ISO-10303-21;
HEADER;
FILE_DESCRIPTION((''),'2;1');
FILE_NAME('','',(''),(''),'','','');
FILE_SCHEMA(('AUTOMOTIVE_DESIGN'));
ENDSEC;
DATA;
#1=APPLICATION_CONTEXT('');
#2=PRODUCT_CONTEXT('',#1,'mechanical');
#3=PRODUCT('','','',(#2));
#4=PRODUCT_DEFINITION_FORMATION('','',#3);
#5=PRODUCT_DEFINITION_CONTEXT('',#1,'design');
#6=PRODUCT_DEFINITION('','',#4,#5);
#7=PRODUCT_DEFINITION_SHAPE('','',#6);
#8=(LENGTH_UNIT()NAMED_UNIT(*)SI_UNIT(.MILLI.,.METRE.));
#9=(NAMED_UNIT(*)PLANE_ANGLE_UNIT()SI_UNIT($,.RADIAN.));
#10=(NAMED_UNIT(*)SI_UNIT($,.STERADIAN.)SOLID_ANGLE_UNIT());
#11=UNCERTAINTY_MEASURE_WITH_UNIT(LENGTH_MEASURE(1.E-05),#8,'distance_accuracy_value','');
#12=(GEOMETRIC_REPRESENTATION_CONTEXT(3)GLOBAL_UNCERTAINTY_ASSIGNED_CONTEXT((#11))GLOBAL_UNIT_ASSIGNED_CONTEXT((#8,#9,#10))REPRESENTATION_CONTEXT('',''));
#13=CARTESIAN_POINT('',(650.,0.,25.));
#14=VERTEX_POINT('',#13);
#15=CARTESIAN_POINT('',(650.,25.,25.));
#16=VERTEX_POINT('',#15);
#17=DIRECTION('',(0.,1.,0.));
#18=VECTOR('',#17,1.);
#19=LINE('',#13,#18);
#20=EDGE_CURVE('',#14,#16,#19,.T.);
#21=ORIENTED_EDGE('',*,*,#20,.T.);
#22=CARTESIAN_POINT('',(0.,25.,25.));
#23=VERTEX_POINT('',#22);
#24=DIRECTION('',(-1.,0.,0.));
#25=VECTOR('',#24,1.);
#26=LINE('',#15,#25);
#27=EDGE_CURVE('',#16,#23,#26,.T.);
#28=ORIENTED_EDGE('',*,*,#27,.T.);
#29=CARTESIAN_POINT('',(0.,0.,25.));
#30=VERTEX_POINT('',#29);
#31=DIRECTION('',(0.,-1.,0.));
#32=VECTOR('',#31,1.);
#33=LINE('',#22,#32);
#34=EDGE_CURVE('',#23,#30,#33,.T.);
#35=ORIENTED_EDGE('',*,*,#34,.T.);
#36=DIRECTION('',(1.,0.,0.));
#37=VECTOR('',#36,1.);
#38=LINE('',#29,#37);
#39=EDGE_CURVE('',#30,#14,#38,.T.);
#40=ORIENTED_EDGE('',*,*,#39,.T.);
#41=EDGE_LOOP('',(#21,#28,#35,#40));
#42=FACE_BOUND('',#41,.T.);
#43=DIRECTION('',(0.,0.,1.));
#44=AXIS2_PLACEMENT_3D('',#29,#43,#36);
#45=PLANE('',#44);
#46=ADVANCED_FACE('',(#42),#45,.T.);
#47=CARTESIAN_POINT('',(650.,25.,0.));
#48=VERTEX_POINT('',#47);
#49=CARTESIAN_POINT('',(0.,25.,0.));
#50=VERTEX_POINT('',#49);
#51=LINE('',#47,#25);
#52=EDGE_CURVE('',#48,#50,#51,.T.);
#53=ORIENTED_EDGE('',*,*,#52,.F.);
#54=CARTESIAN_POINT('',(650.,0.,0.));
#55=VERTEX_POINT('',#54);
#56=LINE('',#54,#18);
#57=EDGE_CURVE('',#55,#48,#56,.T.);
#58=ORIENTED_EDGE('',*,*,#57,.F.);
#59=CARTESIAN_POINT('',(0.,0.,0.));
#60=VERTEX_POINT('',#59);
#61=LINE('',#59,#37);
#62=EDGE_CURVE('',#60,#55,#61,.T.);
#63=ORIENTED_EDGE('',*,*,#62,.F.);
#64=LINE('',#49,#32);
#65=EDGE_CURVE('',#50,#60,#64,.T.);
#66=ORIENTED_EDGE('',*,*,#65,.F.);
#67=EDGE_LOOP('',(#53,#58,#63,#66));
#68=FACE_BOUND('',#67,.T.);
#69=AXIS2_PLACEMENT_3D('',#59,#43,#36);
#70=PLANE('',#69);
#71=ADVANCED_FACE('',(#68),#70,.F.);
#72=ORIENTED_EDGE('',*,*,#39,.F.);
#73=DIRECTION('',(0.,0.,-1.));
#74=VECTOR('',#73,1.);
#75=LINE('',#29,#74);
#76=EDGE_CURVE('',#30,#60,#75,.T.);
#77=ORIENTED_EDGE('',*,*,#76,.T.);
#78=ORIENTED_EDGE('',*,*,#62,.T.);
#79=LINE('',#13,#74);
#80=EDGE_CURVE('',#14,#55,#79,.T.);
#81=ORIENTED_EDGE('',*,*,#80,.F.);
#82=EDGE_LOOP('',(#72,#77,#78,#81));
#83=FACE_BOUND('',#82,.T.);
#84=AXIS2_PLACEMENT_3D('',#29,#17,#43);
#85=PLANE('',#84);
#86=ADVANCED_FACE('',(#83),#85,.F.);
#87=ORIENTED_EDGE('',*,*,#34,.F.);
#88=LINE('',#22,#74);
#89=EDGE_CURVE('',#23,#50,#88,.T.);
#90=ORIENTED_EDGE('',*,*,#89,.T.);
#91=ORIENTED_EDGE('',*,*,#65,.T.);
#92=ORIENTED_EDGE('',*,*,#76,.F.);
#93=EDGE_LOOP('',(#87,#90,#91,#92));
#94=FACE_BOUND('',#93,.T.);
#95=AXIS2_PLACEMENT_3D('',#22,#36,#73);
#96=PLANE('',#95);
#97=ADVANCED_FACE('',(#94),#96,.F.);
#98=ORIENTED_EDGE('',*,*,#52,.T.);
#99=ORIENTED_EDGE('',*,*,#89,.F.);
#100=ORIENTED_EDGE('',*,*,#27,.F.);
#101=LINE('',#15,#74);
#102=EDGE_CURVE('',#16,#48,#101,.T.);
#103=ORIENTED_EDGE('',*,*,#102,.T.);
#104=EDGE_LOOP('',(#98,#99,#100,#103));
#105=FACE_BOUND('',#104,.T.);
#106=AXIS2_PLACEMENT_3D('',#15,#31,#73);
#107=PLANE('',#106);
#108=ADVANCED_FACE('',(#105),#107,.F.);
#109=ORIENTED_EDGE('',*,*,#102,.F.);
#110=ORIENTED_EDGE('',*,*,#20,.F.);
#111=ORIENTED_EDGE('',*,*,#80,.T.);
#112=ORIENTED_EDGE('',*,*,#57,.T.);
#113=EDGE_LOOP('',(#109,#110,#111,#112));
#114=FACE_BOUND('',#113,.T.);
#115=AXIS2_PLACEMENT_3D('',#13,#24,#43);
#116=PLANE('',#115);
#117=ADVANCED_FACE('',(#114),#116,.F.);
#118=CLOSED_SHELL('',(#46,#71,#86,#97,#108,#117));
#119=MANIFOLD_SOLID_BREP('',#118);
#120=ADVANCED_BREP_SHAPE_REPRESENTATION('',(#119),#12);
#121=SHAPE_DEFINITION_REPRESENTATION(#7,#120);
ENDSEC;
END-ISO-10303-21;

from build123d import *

# Parameters (mm, degrees)
SKETCH_1_W         = 650
SKETCH_1_H         = 25
BLOCKEXTRUDE_DEPTH = 25


with BuildPart() as part:
    # 草图1 → BlockExtrude (new body)
    with BuildSketch(Plane.XY):
        with Locations((325, 12.5)):
            Rectangle(SKETCH_1_W, SKETCH_1_H)
    extrude(amount=BLOCKEXTRUDE_DEPTH)


solid = part.part
